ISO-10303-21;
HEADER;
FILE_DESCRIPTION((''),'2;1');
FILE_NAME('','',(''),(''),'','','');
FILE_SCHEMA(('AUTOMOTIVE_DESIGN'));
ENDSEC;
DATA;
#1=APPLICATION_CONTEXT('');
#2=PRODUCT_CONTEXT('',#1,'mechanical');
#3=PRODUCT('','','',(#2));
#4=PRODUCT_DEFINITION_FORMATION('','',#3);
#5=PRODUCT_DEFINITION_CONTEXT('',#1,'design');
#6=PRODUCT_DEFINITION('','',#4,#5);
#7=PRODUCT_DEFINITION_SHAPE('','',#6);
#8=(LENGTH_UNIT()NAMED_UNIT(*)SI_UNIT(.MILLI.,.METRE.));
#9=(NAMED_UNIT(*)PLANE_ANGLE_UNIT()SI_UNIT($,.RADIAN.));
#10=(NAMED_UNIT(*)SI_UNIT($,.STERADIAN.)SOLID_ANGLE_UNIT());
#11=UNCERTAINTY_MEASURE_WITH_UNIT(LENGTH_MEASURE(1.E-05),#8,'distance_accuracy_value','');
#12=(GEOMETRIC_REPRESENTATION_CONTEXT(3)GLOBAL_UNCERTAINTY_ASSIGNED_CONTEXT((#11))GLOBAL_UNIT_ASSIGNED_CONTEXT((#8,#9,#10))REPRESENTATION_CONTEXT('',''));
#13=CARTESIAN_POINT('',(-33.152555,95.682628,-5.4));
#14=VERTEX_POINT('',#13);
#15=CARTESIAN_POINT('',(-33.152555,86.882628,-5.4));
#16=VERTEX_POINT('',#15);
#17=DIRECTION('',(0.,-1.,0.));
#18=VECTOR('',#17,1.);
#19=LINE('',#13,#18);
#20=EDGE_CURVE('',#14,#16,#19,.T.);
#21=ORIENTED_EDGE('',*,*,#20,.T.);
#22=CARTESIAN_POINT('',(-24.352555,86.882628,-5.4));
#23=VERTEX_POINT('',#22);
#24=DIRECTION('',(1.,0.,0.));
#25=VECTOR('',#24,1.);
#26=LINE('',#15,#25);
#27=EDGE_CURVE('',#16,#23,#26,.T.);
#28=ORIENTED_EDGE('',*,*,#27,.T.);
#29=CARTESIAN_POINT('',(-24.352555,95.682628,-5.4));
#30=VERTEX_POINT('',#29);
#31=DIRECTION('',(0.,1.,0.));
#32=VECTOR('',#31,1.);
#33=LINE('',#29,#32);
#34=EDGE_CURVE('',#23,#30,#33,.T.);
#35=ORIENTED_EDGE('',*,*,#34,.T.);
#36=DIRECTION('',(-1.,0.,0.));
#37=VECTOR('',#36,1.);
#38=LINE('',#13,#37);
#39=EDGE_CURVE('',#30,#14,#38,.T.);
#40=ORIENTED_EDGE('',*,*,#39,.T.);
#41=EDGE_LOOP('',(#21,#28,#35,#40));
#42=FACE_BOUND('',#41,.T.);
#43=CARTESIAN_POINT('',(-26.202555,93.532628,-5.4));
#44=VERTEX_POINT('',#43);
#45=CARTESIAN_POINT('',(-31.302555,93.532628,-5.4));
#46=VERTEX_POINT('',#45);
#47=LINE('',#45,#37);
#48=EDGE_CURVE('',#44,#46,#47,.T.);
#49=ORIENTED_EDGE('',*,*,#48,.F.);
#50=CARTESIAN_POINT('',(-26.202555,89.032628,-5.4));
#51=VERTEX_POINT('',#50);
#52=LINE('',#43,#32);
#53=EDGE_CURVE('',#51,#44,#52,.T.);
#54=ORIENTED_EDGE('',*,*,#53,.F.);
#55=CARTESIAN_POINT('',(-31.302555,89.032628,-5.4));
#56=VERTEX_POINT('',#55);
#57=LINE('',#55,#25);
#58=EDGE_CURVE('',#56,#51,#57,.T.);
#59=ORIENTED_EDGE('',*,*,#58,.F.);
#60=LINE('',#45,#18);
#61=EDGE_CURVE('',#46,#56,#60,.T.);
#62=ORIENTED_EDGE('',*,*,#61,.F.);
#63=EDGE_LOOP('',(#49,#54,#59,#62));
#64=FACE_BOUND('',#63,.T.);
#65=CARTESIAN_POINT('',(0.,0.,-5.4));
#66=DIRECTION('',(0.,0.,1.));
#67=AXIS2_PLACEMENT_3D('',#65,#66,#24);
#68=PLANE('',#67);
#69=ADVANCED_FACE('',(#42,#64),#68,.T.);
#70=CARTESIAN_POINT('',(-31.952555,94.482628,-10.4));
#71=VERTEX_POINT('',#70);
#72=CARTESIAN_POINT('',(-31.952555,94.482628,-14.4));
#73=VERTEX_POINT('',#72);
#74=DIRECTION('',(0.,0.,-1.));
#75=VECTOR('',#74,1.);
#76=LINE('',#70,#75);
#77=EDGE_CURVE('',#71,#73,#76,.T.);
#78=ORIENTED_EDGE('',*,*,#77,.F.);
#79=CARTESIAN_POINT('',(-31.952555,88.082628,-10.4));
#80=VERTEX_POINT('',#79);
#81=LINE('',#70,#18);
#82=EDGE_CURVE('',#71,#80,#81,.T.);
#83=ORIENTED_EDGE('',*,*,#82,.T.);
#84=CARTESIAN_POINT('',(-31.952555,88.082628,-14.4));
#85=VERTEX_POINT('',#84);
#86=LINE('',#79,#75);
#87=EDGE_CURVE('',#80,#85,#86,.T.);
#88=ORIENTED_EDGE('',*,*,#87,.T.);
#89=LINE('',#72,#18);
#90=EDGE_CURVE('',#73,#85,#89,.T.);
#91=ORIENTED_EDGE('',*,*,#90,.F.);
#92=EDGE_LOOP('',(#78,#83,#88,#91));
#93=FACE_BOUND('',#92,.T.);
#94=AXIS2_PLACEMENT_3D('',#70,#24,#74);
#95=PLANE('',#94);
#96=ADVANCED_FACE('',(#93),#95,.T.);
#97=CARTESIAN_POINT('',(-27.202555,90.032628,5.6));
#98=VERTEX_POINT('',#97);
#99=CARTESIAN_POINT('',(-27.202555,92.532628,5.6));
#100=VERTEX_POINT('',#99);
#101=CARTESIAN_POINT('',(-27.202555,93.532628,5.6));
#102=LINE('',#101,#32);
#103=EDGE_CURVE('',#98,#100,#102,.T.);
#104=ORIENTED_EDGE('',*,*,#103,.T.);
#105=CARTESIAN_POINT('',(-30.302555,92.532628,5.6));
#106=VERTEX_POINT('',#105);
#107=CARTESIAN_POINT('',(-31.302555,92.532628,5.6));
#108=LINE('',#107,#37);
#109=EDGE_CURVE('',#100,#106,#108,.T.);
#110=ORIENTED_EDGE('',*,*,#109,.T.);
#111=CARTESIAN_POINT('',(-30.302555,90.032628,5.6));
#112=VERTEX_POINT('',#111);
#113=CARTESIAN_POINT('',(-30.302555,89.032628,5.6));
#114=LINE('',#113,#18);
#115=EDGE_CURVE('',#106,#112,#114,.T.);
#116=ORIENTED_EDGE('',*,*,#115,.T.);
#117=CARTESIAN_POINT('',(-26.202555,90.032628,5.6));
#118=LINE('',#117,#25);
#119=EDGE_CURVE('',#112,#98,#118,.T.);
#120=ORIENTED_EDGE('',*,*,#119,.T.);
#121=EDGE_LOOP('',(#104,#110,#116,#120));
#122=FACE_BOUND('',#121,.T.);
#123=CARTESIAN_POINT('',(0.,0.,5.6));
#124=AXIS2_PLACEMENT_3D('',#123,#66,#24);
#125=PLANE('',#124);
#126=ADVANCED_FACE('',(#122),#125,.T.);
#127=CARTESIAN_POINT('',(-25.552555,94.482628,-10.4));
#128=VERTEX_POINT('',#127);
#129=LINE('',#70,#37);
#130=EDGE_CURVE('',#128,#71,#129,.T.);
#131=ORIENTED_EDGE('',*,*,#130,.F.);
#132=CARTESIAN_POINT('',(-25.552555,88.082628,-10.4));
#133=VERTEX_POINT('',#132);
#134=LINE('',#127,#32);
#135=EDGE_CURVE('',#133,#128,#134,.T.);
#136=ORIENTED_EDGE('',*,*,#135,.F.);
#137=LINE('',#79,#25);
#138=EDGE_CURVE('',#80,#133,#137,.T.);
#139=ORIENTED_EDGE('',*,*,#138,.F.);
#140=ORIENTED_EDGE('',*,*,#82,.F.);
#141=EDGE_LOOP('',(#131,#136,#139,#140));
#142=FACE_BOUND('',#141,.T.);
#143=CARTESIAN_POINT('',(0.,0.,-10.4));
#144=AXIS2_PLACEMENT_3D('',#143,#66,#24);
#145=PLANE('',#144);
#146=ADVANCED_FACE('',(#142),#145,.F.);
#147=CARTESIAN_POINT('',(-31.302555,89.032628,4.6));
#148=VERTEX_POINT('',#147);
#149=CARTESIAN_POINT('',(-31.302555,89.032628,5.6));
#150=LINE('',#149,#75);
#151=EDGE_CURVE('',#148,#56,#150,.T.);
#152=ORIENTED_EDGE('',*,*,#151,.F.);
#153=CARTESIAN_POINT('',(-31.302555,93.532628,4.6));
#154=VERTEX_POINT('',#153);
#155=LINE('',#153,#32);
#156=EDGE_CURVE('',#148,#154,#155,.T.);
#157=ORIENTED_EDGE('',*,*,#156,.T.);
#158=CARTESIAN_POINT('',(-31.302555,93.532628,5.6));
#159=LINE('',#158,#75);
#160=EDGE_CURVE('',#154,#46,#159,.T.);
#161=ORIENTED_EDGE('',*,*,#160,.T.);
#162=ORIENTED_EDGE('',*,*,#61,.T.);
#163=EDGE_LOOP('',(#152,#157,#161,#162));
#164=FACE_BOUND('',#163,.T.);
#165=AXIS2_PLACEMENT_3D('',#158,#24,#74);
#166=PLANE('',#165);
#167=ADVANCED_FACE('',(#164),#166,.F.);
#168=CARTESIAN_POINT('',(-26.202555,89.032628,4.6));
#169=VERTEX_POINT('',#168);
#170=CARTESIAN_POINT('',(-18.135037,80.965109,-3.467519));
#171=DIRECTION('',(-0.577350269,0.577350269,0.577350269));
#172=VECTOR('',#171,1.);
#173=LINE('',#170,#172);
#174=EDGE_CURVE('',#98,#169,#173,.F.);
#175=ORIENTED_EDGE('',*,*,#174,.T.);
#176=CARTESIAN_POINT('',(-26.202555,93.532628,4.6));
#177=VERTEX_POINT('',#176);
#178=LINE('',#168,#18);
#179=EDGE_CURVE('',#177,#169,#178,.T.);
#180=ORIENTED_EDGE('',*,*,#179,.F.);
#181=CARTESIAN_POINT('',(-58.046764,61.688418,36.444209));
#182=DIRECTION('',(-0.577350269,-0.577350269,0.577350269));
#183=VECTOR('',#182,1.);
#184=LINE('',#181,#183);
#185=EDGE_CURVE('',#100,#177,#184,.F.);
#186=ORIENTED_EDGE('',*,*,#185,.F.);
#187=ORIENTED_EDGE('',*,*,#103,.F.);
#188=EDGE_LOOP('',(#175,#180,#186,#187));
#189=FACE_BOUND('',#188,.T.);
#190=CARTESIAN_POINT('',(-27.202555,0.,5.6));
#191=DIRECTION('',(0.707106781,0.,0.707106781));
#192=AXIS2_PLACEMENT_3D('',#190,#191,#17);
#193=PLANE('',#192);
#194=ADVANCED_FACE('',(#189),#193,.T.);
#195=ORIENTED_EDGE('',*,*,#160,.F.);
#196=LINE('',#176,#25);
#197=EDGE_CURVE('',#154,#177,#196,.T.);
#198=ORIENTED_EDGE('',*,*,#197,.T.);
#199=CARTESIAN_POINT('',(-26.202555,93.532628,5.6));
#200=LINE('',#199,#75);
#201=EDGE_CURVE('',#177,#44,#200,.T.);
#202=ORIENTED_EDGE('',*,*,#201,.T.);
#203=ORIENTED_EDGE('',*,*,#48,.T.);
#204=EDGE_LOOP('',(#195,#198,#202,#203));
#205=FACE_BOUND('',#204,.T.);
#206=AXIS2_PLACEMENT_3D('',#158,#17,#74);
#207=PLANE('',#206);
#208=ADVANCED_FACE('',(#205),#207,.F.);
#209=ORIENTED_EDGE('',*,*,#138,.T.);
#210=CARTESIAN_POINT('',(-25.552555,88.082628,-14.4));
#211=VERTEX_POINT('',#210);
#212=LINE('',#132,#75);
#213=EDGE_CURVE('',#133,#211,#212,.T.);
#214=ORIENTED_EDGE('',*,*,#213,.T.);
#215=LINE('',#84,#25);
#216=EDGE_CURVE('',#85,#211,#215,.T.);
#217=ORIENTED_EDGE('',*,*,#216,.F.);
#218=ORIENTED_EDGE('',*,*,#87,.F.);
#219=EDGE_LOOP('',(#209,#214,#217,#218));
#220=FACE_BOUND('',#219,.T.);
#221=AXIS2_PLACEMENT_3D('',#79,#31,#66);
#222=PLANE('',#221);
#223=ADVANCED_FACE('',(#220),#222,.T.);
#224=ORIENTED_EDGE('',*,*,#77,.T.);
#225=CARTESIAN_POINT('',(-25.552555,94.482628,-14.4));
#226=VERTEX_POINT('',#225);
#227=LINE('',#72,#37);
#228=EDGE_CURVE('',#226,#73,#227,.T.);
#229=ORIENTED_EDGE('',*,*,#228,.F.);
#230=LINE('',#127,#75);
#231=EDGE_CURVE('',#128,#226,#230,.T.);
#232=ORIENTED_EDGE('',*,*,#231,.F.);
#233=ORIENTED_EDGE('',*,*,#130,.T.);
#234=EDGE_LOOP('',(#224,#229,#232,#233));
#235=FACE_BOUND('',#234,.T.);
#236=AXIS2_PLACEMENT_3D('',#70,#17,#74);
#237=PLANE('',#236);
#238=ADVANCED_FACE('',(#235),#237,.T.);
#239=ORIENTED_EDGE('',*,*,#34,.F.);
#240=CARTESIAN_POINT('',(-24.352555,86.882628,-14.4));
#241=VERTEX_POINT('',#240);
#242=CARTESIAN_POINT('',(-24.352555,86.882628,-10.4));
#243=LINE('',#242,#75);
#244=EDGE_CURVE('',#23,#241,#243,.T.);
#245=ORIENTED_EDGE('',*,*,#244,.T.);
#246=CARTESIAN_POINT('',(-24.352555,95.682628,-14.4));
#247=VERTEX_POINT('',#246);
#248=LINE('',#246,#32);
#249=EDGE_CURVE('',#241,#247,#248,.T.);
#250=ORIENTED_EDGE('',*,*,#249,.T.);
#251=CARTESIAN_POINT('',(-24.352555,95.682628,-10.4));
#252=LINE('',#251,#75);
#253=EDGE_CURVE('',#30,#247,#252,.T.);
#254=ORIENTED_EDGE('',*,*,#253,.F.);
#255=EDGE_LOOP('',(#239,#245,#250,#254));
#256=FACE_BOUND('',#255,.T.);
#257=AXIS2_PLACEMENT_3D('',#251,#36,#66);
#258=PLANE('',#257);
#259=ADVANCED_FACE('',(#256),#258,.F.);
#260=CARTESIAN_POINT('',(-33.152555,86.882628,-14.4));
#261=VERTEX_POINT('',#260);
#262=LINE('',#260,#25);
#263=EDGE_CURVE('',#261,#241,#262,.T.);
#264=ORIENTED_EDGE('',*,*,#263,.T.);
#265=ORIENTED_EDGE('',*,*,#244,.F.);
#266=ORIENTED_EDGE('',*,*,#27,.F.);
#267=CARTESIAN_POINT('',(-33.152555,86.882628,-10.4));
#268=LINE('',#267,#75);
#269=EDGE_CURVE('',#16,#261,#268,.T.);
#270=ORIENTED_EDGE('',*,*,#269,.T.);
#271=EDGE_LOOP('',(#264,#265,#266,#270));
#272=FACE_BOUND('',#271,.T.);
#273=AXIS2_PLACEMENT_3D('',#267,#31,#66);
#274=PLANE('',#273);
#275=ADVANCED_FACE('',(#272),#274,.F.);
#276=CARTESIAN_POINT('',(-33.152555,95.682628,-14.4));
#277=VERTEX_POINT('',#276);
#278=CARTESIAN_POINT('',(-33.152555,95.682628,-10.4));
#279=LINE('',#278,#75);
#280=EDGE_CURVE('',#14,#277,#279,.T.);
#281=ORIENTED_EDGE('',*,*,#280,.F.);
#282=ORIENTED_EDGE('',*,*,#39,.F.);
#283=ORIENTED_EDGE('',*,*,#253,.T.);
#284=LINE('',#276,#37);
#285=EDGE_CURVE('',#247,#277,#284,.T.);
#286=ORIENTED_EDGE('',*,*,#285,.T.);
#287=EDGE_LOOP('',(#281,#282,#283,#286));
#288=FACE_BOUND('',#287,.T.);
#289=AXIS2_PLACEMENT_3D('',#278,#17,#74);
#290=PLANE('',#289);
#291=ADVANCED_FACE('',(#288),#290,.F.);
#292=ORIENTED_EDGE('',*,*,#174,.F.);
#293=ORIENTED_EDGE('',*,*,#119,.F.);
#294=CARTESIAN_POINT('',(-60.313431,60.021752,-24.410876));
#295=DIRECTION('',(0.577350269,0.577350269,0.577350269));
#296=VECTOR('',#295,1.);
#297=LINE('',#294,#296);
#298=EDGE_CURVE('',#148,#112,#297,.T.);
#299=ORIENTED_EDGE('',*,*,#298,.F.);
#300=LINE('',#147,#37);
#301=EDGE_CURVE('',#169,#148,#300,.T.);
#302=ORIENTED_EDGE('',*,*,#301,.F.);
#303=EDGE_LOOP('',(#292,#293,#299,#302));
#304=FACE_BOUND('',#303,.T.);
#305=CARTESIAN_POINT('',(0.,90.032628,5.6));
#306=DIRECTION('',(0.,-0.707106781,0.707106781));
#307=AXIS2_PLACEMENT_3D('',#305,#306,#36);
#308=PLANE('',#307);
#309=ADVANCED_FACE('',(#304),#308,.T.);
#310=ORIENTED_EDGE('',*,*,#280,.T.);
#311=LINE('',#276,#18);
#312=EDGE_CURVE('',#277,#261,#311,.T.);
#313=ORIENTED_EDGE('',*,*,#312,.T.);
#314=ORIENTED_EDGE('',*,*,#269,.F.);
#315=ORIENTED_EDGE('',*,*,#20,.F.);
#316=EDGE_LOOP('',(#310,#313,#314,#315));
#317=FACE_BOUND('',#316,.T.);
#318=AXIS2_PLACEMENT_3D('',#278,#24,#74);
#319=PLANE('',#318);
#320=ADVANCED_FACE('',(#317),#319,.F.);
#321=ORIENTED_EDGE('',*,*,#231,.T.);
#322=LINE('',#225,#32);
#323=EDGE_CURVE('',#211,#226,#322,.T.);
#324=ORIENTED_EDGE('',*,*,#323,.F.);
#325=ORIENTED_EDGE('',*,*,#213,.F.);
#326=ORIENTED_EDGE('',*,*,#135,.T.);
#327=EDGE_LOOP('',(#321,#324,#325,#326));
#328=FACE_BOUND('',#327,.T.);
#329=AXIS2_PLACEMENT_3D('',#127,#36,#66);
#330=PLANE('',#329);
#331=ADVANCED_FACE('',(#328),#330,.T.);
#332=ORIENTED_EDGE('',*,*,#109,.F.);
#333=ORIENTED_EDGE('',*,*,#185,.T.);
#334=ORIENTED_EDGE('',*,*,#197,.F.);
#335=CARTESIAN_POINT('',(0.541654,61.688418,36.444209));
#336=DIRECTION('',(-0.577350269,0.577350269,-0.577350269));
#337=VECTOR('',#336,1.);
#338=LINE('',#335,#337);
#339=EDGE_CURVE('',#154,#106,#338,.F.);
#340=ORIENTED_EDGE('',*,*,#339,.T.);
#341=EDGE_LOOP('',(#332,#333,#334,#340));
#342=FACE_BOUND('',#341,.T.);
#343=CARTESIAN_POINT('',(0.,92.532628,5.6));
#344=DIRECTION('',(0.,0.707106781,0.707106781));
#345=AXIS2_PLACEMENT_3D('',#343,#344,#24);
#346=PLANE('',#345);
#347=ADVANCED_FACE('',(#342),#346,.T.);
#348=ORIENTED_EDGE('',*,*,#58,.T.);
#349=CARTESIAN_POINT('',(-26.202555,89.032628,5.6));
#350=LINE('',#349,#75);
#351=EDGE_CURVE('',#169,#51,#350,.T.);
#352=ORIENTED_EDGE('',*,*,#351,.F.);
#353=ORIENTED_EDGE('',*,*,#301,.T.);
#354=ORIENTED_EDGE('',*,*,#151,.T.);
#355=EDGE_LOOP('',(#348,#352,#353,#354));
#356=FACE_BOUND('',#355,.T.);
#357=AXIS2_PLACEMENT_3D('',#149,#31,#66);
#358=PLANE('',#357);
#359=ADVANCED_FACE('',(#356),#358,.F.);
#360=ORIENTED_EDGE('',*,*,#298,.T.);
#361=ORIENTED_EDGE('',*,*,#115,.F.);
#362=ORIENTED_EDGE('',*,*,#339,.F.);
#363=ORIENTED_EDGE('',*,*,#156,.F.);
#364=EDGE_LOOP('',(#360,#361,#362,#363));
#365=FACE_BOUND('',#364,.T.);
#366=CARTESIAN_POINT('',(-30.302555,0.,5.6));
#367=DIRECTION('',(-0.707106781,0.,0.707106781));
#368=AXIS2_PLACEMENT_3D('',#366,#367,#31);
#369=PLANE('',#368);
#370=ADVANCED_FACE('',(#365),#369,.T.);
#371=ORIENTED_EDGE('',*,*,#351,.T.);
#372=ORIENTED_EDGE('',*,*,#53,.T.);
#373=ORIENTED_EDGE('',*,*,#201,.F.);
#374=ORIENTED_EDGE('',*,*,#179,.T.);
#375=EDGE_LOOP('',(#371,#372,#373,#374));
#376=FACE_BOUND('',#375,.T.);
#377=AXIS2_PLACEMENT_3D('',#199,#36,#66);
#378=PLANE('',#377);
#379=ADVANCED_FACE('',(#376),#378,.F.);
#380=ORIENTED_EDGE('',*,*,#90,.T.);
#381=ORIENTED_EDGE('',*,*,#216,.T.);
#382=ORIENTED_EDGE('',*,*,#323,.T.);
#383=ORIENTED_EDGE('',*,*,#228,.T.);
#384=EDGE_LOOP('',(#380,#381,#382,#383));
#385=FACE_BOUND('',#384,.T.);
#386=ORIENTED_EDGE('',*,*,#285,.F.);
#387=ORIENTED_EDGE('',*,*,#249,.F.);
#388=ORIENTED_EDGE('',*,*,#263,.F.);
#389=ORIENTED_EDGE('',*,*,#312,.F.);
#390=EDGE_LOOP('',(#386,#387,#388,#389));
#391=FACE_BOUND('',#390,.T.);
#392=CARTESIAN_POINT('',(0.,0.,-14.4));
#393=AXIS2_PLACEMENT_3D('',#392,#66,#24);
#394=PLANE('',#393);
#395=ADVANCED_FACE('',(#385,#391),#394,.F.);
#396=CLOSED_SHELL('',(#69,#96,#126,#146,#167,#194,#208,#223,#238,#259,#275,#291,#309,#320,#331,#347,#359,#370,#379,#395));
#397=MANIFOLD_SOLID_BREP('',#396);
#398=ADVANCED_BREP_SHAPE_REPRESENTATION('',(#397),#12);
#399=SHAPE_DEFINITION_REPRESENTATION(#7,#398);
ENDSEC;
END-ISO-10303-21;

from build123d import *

# Parameters (mm, degrees)
BOSS_EXTRUDE1_DEPTH      = 2
BOSS_EXTRUDE1_DEPTH_BACK = 2
SKETCH2_W                = 8.799999809
SKETCH2_H                = 8.79999981
SKETCH2_W_2              = 6.399999809
SKETCH2_H_2              = 6.39999981
SKETCH3_W                = 8.799999809
SKETCH3_H                = 8.79999981
BOSS_EXTRUDE2_DEPTH      = 5
SKETCH4_W                = 5.099999879
SKETCH4_H                = 4.499999898
BOSS_EXTRUDE3_DEPTH      = 11
CHAMFER1_SIZE            = 1


with BuildPart() as part:
    # Sketch2 → Boss-Extrude1 (new, two sides: drawn at the far end of the back side and taken through both)
    with BuildSketch(Plane.XY.offset(-12.400000378).offset(-BOSS_EXTRUDE1_DEPTH_BACK)):
        with Locations((-28.752555167, 91.282627708)):
            Rectangle(SKETCH2_W, SKETCH2_H)
        with Locations((-28.752555167, 91.282627708)):
            Rectangle(SKETCH2_W_2, SKETCH2_H_2, mode=Mode.SUBTRACT)
    extrude(amount=BOSS_EXTRUDE1_DEPTH + BOSS_EXTRUDE1_DEPTH_BACK)

    # Sketch3 → Boss-Extrude2 (add)
    with BuildSketch(Plane.XY.offset(-10.400000378)):
        with Locations((-28.752555167, 91.282627708)):
            Rectangle(SKETCH3_W, SKETCH3_H)
    extrude(amount=BOSS_EXTRUDE2_DEPTH)

    # Sketch4 → Boss-Extrude3 (add)
    with BuildSketch(Plane.XY.offset(-5.400000378)):
        with Locations((-28.752555167, 91.282627708)):
            Rectangle(SKETCH4_W, SKETCH4_H)
    extrude(amount=BOSS_EXTRUDE3_DEPTH)

    # Chamfer1
    chamfer1_edges = [part.edges().sort_by_distance(p)[0] for p in [
        (-28.752555166, 93.532627657, 5.599999622),
        (-26.202555227, 91.282627708, 5.599999622),
        (-28.752555166, 89.032627759, 5.599999622),
        (-31.302555106, 91.282627708, 5.599999622),
    ]]
    chamfer(chamfer1_edges, length=CHAMFER1_SIZE)


solid = part.part
